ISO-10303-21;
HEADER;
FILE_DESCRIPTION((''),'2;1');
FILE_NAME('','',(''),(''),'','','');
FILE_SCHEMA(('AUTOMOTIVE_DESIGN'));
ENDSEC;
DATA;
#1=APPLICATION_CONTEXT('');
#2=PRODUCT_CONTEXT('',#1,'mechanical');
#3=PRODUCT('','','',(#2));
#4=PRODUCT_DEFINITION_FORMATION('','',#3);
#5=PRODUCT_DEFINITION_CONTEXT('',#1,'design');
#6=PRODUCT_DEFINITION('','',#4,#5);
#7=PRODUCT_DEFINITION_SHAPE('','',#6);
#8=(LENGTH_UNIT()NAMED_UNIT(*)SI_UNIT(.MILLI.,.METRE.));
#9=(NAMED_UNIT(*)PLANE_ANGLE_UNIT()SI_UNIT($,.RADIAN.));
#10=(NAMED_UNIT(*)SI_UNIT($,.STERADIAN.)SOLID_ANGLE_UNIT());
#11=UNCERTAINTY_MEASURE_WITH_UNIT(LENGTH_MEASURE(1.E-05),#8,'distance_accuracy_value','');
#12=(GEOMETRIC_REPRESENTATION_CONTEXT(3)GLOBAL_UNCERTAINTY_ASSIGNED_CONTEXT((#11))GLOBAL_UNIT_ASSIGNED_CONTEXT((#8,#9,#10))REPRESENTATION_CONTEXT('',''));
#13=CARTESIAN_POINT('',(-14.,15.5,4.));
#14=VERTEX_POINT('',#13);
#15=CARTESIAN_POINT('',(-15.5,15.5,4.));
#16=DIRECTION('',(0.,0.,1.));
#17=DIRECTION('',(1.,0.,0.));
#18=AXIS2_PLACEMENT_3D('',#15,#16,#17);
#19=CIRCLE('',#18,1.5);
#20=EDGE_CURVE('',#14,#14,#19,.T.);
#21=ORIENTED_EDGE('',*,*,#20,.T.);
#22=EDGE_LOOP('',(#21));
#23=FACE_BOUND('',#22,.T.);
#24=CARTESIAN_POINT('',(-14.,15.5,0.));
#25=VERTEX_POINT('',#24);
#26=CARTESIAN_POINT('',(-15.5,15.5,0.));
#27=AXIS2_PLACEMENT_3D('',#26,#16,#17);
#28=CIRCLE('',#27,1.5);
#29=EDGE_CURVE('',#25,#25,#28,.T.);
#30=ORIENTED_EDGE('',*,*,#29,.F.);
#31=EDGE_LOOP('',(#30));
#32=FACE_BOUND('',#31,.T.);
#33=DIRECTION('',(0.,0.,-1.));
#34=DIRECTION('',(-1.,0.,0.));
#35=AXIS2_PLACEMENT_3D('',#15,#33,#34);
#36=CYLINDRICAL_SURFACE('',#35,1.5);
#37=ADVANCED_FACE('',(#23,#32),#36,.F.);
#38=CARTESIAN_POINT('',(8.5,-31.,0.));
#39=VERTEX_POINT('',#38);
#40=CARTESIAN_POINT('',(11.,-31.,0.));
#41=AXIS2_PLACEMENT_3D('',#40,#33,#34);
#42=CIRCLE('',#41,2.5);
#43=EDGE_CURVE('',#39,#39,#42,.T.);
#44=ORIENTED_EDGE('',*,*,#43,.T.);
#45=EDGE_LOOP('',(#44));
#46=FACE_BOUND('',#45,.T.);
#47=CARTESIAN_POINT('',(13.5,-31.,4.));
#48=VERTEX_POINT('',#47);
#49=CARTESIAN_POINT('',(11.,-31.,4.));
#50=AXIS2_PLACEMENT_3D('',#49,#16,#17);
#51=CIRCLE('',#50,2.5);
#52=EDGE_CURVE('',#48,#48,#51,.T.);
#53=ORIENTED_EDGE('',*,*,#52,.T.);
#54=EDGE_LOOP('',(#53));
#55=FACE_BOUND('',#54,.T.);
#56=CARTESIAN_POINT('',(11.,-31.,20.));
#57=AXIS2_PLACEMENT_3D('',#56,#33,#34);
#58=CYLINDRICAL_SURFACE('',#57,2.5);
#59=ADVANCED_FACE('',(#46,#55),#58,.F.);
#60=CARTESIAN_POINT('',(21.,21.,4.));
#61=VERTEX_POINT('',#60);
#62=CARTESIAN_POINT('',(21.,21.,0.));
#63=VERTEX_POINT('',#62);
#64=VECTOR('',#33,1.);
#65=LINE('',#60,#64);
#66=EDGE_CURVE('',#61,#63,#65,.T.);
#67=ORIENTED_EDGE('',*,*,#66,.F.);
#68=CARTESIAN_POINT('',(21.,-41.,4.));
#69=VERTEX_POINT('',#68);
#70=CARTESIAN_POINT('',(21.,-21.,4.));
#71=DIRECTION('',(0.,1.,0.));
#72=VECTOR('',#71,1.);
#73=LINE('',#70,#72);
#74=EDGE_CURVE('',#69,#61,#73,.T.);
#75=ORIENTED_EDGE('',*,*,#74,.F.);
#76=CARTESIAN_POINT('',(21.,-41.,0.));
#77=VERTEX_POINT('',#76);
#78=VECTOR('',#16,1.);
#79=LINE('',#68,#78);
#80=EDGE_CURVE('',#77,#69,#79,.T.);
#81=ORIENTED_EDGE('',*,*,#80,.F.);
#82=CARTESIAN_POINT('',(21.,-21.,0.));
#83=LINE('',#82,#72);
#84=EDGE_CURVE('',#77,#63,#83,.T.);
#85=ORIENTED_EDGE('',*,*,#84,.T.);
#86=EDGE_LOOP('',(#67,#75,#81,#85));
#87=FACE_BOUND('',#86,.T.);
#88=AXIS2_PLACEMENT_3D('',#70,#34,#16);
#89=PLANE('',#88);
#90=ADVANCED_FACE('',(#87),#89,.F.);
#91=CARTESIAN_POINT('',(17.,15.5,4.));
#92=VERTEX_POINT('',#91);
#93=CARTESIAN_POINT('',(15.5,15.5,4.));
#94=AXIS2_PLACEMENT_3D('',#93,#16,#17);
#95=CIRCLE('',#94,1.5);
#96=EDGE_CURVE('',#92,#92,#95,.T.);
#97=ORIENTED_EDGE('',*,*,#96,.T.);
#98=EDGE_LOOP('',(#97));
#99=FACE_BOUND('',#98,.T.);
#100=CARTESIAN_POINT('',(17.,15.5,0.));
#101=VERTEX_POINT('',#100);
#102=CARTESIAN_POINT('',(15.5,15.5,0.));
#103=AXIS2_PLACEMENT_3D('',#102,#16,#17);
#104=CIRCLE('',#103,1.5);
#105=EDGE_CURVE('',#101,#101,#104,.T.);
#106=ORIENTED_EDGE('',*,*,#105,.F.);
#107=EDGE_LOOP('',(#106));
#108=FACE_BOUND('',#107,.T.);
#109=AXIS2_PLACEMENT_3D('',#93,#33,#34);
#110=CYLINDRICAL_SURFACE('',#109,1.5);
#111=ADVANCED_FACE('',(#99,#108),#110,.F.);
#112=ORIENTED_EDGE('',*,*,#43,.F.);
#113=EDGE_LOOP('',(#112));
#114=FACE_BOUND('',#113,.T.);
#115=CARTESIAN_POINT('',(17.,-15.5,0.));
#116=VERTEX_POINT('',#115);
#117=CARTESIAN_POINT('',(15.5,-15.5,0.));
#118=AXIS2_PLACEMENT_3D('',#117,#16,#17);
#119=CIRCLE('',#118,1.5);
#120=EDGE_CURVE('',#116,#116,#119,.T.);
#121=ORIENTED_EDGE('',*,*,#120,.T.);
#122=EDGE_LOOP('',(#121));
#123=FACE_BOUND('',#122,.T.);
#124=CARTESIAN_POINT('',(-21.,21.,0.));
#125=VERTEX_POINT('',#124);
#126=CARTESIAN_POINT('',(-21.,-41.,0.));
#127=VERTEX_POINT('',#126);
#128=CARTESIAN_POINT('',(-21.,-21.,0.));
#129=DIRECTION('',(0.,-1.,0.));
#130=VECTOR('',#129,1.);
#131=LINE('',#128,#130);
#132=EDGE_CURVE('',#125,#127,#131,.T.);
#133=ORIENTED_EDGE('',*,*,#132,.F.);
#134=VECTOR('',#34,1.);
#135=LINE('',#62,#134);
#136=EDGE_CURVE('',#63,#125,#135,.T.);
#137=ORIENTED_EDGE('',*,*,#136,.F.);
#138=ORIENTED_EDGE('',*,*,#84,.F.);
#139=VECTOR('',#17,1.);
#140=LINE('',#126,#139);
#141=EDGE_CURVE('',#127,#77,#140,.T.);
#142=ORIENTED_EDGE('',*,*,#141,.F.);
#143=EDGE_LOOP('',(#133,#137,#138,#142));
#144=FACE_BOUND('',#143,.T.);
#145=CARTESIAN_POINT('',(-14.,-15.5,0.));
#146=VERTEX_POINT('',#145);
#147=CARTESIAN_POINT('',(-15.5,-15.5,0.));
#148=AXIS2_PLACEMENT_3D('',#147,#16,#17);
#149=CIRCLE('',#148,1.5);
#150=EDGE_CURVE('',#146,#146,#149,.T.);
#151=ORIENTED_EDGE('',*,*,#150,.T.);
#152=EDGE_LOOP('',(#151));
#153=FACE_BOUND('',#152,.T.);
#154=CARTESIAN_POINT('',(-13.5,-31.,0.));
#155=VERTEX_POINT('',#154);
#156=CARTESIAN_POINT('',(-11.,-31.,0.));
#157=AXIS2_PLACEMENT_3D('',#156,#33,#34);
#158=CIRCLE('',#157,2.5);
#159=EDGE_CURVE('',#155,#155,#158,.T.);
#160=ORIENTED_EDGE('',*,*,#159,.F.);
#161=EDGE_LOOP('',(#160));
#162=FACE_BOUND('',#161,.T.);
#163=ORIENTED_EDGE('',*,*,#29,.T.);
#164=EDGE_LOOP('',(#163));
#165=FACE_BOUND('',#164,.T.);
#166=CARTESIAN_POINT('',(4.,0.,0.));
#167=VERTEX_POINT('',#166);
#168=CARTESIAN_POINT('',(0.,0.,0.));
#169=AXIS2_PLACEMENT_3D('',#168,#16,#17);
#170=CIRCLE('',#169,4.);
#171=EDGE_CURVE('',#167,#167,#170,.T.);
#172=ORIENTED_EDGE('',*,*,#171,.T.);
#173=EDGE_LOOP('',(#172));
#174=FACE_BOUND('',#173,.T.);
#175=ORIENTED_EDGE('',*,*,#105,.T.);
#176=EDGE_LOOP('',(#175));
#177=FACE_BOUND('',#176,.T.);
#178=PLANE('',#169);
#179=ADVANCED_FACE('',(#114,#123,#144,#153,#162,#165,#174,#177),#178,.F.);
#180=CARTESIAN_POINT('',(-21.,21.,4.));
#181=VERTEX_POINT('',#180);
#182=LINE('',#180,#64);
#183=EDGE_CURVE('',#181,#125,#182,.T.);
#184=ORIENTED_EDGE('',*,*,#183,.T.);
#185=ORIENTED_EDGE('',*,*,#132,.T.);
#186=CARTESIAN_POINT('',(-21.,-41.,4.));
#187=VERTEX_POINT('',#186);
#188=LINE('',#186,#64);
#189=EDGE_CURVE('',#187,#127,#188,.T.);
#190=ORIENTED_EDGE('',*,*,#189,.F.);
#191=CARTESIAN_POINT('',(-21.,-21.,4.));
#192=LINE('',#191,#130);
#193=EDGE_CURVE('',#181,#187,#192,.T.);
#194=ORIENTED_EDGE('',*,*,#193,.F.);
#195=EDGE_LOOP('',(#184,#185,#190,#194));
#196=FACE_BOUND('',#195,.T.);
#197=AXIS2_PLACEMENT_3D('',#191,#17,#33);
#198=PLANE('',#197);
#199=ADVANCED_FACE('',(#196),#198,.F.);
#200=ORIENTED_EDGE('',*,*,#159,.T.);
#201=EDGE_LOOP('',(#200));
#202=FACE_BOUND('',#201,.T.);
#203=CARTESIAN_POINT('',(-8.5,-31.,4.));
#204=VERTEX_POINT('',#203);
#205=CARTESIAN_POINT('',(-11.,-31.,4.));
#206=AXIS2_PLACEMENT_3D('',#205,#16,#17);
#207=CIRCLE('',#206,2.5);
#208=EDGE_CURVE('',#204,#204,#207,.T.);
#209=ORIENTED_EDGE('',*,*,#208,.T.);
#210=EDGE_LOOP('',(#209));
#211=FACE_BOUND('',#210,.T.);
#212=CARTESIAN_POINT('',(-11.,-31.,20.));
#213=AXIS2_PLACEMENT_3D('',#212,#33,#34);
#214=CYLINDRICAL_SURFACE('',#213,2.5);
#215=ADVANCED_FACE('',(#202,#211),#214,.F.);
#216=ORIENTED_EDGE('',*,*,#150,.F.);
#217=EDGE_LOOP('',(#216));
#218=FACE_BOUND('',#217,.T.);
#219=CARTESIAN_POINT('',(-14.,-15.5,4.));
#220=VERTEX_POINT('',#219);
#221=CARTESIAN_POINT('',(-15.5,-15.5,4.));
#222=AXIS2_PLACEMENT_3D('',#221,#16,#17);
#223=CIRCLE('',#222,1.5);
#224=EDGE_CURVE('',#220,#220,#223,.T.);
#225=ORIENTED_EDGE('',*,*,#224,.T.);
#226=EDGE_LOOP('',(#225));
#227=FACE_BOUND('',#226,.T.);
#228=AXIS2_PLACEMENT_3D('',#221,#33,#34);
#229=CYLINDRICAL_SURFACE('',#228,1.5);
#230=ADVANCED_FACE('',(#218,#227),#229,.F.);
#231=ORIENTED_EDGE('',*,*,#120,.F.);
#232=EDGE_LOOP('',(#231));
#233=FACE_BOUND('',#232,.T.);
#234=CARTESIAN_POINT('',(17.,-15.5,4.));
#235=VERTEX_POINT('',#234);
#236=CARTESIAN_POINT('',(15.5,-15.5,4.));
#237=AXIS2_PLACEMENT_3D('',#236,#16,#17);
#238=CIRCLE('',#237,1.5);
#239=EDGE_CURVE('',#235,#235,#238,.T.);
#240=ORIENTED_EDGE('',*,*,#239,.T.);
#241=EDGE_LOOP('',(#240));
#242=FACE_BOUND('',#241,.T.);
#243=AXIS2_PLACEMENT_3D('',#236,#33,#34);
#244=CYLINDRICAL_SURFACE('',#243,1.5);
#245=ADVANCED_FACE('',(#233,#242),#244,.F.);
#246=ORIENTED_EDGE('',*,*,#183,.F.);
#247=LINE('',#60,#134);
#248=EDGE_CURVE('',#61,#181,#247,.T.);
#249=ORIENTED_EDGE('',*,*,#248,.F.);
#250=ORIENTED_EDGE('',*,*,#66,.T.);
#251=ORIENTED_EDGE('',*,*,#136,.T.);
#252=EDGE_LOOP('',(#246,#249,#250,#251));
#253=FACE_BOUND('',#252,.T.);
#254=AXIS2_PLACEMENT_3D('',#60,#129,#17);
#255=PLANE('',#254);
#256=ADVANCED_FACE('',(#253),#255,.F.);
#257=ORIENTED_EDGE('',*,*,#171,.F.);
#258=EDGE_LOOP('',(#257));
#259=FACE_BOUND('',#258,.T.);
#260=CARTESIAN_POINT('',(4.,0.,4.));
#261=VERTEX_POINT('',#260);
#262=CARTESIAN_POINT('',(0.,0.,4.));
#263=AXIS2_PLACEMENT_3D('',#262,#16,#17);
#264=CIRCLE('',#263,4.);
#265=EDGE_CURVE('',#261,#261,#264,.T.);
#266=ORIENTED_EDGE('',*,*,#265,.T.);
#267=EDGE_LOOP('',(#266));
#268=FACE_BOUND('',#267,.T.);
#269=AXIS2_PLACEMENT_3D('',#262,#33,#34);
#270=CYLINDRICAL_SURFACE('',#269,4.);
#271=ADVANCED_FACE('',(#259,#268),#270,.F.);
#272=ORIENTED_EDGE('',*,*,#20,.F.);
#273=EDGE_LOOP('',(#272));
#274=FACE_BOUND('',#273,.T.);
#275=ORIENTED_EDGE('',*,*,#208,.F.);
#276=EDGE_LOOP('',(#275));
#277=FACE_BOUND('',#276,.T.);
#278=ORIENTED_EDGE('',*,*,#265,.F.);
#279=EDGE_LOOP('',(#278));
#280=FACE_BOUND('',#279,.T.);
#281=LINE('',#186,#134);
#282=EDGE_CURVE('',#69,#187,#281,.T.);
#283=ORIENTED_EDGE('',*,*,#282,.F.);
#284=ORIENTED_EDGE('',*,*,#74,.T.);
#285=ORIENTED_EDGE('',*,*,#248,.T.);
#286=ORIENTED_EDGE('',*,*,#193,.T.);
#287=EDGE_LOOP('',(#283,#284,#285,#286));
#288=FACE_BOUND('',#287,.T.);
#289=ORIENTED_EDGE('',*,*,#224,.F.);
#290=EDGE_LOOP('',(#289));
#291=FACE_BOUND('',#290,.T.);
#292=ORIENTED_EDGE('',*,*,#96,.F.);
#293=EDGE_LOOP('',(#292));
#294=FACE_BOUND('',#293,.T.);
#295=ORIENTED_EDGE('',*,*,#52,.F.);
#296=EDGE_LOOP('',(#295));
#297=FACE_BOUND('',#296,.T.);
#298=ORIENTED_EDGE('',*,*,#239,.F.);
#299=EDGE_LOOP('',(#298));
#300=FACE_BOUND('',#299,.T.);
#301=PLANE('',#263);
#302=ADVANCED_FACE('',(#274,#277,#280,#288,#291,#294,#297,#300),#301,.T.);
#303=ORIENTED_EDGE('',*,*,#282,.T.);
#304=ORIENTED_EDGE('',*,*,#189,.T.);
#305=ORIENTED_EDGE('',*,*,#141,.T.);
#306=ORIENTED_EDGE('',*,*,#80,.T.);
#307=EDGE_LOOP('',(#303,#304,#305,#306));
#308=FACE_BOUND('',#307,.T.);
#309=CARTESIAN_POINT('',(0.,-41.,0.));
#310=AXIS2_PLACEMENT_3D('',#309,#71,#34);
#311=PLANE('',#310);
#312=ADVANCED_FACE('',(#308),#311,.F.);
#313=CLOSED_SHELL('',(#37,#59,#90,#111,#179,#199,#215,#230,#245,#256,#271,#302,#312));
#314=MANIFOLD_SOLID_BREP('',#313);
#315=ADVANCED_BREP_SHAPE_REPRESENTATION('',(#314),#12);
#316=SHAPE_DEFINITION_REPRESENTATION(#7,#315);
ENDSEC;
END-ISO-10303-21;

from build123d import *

# Parameters (mm, degrees)
SKETCH1_W           = 42
SKETCH1_H           = 42
SKETCH1_R           = 4
SKETCH1_R_2         = 1.5
BOSS_EXTRUDE1_DEPTH = 4
SKETCH3_W           = 42
SKETCH3_H           = 4
BOSS_EXTRUDE2_DEPTH = 20
SKETCH4_R           = 2.5
CUT_EXTRUDE2_DEPTH  = 20


with BuildPart() as part:
    # Sketch1 → Boss-Extrude1 (new body)
    with BuildSketch(Plane.XY):
        Rectangle(SKETCH1_W, SKETCH1_H)
        Circle(SKETCH1_R, mode=Mode.SUBTRACT)
        with Locations((-15.5, 15.5)):
            Circle(SKETCH1_R_2, mode=Mode.SUBTRACT)
        with Locations((15.5, 15.5)):
            Circle(SKETCH1_R_2, mode=Mode.SUBTRACT)
        with Locations((15.5, -15.5)):
            Circle(SKETCH1_R_2, mode=Mode.SUBTRACT)
        with Locations((-15.5, -15.5)):
            Circle(SKETCH1_R_2, mode=Mode.SUBTRACT)
    extrude(amount=BOSS_EXTRUDE1_DEPTH)

    # Sketch3 → Boss-Extrude2 (add)
    with BuildSketch(Plane.XZ.offset(21)):
        with Locations((0, 2)):
            Rectangle(SKETCH3_W, SKETCH3_H)
    extrude(amount=BOSS_EXTRUDE2_DEPTH)

    # Sketch4 → Cut-Extrude2 (cut)
    with BuildSketch(Plane(origin=(0, 0, 0), x_dir=(-1, 0, 0), z_dir=(0, 0, -1))):
        with Locations((-11, -31)):
            Circle(SKETCH4_R)
        with Locations((11, -31)):
            Circle(SKETCH4_R)
    extrude(amount=-CUT_EXTRUDE2_DEPTH, mode=Mode.SUBTRACT)


solid = part.part
